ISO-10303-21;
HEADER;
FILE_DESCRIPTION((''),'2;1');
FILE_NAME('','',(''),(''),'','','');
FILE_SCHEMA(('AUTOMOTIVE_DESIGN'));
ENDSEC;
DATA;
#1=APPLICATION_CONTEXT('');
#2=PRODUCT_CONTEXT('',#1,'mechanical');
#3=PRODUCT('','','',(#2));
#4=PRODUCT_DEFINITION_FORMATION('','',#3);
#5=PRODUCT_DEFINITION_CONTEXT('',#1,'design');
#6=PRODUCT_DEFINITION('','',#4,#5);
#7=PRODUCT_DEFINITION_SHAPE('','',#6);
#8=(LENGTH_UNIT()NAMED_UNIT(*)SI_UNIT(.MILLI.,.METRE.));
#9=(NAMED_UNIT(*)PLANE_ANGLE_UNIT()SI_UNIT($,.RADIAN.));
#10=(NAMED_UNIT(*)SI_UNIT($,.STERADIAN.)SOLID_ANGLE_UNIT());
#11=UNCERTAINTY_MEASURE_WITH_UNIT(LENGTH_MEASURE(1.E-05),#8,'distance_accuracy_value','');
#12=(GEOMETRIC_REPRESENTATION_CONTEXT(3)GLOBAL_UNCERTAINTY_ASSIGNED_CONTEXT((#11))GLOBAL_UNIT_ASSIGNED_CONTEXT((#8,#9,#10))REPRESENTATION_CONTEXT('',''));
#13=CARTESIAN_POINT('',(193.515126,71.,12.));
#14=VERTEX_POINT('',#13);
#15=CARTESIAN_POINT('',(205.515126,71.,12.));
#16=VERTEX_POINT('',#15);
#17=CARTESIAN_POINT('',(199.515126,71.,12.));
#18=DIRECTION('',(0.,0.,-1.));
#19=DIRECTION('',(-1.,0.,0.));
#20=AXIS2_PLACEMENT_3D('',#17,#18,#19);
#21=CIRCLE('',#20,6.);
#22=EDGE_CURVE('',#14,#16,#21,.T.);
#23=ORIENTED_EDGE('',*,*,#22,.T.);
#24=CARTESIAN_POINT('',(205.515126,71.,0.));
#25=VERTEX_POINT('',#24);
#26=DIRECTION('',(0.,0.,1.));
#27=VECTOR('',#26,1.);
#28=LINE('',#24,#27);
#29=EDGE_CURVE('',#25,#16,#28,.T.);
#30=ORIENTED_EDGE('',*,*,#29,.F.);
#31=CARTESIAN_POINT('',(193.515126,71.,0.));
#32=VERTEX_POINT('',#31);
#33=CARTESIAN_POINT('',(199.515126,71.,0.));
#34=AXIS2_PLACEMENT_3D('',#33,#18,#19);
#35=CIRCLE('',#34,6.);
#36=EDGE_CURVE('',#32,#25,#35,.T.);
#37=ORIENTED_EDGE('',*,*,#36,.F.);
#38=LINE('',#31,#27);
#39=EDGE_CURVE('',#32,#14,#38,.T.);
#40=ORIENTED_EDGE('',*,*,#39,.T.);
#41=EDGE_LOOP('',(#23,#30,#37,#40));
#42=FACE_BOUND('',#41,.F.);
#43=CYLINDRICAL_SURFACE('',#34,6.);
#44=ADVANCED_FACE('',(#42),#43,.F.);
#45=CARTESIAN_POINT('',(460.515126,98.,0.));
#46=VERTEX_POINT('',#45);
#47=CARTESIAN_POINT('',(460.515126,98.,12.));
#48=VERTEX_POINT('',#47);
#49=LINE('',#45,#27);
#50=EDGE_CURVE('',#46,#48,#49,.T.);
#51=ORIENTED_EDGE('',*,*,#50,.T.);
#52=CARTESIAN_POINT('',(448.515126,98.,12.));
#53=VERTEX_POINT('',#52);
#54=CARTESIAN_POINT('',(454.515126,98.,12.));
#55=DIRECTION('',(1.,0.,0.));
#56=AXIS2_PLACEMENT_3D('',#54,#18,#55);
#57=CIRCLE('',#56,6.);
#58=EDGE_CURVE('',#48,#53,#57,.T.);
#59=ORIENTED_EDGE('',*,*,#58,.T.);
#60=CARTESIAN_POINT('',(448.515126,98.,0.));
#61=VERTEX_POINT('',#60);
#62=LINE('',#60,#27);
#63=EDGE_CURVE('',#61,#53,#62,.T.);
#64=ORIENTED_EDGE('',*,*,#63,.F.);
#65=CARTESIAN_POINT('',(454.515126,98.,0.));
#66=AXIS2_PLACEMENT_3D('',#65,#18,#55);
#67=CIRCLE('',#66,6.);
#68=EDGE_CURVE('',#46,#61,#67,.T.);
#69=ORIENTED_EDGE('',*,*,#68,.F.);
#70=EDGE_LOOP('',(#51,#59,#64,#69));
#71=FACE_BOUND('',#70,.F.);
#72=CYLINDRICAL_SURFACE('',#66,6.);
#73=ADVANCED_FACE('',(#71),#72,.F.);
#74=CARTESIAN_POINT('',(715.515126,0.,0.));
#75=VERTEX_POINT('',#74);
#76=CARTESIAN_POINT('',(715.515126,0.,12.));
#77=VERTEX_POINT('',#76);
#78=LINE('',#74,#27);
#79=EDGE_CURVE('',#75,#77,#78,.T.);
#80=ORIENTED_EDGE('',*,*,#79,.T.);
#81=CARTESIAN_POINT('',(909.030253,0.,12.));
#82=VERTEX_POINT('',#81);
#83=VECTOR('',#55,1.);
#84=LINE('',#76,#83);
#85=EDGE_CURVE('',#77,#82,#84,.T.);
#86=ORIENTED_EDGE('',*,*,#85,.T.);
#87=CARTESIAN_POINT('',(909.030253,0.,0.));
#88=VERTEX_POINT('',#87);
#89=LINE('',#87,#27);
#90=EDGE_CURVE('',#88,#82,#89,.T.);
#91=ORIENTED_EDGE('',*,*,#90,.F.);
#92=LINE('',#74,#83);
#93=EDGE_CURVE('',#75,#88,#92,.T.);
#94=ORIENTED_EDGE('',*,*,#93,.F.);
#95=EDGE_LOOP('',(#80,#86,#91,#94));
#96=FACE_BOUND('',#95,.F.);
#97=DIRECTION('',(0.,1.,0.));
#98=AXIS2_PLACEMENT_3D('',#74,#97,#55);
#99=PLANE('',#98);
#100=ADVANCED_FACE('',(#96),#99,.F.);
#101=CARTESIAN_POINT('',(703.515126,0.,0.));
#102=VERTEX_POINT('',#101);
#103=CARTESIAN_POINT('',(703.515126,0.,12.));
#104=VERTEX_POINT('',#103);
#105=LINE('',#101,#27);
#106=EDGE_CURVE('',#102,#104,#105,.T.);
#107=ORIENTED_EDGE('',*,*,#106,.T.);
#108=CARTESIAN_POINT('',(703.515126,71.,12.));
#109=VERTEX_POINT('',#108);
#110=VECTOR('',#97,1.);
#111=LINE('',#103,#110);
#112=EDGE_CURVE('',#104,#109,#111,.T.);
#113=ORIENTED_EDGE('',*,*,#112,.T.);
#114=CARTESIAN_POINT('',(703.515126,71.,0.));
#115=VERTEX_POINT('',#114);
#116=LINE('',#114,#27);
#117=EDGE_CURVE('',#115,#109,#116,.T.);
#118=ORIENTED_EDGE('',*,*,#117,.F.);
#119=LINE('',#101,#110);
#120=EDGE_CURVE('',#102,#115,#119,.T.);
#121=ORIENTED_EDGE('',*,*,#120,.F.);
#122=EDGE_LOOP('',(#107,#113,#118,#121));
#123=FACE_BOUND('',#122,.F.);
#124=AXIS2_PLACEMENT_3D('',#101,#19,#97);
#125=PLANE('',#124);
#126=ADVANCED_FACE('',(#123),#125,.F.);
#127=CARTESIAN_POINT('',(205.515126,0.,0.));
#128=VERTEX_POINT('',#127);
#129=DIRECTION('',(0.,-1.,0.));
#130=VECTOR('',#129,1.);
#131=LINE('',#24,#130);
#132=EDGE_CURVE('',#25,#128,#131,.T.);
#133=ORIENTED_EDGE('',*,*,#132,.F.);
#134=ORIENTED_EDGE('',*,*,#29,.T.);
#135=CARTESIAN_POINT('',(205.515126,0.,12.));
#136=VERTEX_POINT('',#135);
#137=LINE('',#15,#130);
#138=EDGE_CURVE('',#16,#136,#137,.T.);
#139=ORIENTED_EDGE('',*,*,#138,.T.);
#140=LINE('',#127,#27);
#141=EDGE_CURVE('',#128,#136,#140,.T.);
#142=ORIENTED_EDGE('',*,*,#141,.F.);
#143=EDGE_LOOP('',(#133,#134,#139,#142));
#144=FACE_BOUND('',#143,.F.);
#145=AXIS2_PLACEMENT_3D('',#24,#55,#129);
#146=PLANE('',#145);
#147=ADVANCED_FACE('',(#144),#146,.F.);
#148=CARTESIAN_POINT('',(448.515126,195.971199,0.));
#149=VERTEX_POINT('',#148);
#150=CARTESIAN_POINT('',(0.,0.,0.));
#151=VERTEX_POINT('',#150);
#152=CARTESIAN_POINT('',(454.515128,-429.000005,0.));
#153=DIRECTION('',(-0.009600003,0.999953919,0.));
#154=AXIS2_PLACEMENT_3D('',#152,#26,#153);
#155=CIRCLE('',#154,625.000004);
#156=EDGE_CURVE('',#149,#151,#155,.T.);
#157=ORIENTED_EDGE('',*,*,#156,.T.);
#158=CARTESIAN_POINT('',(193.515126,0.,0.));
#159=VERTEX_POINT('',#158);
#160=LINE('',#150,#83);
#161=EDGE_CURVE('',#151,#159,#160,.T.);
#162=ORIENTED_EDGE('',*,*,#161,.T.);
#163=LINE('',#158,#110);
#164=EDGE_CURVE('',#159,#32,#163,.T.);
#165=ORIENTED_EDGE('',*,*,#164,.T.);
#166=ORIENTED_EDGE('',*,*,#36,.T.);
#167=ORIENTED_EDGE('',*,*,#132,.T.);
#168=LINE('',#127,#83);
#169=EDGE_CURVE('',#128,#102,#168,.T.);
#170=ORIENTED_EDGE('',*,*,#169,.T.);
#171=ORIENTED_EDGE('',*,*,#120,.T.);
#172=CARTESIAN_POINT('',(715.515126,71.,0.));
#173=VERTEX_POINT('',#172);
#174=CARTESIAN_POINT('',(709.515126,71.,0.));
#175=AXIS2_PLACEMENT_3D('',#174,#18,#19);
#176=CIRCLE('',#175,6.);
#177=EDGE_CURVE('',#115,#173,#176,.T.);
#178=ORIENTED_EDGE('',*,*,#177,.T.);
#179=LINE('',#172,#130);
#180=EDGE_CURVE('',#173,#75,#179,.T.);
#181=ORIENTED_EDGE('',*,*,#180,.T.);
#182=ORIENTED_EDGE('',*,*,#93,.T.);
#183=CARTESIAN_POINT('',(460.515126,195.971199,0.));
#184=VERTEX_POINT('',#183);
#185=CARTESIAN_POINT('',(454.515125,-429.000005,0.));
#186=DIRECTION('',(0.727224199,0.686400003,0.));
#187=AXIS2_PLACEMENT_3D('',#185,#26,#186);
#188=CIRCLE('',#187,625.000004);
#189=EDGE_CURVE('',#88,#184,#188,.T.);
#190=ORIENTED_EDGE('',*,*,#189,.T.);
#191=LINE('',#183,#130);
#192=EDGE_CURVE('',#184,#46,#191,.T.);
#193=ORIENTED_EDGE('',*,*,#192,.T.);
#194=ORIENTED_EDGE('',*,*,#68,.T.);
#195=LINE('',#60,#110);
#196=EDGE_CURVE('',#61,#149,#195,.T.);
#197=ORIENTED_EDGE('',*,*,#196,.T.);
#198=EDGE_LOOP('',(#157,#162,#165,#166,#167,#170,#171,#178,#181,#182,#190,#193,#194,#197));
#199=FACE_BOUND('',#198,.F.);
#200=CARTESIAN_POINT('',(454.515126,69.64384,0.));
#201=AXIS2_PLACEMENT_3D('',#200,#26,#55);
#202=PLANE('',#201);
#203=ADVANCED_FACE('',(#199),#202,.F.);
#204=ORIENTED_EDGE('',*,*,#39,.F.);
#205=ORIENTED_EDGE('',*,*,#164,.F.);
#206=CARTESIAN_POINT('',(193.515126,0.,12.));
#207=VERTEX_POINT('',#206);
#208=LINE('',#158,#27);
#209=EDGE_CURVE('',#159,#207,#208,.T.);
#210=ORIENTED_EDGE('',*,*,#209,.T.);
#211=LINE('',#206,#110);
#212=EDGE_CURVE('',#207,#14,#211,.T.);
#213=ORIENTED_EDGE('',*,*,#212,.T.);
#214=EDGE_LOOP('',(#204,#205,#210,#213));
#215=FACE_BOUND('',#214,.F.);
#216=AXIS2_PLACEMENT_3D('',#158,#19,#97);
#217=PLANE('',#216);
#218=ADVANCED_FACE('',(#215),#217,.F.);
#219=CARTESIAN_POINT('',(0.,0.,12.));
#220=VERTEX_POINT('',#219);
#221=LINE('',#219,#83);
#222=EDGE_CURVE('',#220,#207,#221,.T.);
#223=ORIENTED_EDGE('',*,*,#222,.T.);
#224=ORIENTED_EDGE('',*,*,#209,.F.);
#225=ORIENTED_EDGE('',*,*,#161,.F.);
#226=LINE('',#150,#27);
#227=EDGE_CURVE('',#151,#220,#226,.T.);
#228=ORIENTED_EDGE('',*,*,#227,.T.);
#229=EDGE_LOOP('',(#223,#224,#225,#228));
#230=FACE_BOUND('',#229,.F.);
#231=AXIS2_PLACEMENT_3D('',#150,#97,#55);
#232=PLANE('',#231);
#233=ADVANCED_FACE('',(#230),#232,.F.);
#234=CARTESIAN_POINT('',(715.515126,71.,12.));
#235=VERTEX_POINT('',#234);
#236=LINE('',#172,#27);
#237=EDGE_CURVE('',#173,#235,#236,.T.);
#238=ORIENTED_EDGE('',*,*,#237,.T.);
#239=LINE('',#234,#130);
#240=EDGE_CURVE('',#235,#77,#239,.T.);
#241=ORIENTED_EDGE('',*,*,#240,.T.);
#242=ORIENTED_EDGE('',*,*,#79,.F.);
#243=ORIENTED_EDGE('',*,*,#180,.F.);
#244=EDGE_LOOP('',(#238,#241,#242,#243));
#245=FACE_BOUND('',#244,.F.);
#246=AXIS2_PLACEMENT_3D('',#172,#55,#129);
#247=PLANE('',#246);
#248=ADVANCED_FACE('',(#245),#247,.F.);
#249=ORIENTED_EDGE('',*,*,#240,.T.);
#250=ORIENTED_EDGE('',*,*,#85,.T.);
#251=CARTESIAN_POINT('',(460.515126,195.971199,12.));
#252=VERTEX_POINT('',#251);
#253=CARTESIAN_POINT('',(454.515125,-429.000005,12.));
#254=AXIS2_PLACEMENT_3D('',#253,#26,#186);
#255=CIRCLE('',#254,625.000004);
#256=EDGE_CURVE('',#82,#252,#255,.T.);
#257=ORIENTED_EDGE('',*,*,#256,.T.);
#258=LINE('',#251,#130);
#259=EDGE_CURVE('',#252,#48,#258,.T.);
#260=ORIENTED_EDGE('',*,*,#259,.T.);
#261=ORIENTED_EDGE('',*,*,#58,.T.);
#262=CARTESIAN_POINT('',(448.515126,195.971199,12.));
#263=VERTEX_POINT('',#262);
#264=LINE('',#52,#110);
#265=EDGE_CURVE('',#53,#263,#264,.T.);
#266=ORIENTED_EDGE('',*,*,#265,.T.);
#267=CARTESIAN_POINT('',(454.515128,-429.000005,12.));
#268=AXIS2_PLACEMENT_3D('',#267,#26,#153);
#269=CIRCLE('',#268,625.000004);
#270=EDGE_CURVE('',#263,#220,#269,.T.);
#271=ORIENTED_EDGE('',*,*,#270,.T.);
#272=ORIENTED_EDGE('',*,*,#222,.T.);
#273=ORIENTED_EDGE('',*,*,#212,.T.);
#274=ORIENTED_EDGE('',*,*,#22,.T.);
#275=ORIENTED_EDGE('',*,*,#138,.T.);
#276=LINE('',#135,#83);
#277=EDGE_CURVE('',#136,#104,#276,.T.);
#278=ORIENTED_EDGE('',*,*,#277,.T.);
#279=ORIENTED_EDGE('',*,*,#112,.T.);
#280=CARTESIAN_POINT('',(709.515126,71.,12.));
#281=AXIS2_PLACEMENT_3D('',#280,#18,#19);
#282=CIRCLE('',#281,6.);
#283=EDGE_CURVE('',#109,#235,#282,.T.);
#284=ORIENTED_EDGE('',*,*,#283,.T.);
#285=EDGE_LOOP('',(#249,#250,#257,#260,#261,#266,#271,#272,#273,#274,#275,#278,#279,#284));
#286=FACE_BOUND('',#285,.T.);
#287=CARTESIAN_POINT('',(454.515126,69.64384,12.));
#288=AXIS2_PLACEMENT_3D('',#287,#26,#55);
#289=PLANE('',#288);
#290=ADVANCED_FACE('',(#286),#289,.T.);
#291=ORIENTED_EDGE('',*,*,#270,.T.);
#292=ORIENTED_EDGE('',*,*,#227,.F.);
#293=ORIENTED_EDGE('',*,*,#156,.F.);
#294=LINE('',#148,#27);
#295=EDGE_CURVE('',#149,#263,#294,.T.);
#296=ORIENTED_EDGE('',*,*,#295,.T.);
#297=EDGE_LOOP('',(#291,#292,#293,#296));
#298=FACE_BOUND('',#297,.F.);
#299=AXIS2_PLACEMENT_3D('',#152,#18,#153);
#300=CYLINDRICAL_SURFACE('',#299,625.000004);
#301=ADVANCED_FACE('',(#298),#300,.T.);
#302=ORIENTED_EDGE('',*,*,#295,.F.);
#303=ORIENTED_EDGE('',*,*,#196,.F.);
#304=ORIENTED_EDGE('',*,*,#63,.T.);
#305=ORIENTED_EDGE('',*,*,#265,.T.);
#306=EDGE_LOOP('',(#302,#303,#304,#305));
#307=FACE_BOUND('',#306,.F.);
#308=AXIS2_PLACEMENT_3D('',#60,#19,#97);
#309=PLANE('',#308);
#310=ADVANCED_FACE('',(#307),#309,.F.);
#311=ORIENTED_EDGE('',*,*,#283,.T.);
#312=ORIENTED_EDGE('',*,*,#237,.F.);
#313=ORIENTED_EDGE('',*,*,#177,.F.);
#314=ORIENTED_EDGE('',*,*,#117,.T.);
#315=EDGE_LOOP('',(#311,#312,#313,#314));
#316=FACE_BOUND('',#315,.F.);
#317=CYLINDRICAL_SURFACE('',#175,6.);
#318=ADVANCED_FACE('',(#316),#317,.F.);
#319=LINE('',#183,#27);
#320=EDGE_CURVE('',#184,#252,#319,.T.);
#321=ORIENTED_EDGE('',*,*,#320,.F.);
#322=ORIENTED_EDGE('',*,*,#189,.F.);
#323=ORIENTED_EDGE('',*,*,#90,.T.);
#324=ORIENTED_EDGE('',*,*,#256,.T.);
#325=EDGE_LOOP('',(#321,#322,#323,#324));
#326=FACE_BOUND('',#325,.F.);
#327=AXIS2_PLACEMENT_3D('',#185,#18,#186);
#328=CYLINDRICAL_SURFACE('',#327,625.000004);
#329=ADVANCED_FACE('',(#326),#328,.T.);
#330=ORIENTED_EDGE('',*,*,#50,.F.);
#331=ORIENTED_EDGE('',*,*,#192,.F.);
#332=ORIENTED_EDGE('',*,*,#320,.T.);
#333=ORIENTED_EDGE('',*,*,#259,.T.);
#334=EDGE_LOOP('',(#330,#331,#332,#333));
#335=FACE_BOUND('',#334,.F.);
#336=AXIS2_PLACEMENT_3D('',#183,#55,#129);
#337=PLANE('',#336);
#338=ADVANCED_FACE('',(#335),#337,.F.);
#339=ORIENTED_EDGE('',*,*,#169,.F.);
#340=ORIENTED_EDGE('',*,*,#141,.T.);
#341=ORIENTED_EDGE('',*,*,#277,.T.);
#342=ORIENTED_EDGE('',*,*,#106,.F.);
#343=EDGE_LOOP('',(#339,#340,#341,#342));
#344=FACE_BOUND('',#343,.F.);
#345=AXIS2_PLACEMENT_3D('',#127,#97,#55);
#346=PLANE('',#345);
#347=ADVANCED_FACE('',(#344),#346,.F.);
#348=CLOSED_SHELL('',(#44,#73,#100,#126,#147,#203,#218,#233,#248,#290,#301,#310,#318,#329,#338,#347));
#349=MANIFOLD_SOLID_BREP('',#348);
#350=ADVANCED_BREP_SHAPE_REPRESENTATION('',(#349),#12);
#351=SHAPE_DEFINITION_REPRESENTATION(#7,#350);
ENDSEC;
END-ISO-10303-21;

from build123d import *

# Parameters (mm, degrees)
F1_DEPTH = 12


with BuildPart() as f1:
    # F0 (on Top) → F1 (new body)
    with BuildSketch(Plane.XY):
        with BuildLine():
            Line((715.515126, 0), (909.030253, 0))
            ThreePointArc((909.030253, 0), (704.754458, 143.717449), (460.515126, 195.971199))
            Line((460.515126, 195.971199), (460.515126, 98))
            ThreePointArc((460.515126, 98), (454.515126, 92), (448.515126, 98))
            Line((448.515126, 98), (448.515126, 195.971199))
            ThreePointArc((448.515126, 195.971199), (204.275795, 143.717449), (0, 0))
            Line((0, 0), (193.515126, 0))
            Line((193.515126, 0), (193.515126, 71))
            ThreePointArc((193.515126, 71), (199.515126, 77), (205.515126, 71))
            Line((205.515126, 71), (205.515126, 0))
            Line((205.515126, 0), (703.515126, 0))
            Line((703.515126, 0), (703.515126, 71))
            ThreePointArc((703.515126, 71), (709.515126, 77), (715.515126, 71))
            Line((715.515126, 71), (715.515126, 0))
        make_face()
    extrude(amount=F1_DEPTH)


solid = f1.part
